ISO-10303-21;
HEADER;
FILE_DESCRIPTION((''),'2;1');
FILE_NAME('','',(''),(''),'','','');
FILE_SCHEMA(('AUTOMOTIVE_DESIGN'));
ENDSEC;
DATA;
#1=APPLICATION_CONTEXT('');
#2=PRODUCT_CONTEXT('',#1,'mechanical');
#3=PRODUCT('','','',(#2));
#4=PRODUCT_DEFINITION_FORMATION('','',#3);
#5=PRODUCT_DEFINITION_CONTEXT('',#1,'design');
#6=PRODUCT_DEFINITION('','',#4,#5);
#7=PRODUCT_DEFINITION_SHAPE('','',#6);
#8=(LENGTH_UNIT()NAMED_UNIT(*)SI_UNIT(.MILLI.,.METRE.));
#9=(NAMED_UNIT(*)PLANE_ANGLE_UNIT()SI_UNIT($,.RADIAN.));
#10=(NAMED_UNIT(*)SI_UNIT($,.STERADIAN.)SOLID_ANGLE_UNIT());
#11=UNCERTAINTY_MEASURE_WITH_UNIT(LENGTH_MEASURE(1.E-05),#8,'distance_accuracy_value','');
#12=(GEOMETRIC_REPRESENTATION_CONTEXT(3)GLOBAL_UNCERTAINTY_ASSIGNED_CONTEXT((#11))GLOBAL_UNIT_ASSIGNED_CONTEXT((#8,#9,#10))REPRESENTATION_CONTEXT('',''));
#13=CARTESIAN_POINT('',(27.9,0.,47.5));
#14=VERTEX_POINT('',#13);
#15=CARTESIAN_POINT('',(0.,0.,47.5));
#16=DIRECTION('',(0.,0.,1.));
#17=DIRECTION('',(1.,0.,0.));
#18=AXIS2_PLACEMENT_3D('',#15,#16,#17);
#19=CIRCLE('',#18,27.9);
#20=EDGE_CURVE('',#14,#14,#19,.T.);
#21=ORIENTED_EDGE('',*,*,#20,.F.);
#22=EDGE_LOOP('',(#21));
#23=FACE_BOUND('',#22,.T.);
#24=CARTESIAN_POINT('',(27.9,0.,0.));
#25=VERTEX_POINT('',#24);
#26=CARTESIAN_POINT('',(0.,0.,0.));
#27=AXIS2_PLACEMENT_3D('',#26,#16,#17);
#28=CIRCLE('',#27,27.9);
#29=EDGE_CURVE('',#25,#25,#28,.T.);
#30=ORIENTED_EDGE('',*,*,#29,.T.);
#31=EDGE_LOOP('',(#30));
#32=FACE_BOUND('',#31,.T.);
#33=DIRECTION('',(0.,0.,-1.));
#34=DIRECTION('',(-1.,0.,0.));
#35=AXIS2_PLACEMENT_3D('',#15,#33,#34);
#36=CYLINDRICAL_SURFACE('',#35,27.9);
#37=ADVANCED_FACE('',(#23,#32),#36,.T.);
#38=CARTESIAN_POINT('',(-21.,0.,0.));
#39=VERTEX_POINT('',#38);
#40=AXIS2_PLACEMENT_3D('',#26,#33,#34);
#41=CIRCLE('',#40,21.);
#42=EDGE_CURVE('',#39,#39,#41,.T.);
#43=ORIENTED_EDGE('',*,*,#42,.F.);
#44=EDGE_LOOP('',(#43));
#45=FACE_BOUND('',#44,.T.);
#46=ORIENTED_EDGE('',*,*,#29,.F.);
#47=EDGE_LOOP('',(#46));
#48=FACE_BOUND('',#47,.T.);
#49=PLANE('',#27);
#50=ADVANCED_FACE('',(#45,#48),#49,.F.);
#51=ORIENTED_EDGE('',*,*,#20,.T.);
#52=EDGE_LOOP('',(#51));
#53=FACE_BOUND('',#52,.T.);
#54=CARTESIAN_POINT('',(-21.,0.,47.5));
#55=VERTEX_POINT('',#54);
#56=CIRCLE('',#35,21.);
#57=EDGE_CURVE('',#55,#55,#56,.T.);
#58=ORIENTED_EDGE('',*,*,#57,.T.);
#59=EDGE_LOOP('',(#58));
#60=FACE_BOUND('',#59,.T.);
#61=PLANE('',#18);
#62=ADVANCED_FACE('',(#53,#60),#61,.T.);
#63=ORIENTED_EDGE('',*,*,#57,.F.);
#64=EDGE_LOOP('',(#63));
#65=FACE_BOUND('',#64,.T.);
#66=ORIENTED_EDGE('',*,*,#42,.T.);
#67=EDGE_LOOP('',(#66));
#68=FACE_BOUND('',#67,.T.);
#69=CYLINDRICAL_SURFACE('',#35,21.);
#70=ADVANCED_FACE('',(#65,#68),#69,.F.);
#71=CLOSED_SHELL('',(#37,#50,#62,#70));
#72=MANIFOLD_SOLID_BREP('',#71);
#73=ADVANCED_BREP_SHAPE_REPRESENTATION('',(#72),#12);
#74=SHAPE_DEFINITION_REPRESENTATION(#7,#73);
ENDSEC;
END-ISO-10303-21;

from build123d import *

# Parameters (mm, degrees)
CROQUIS2_R              = 27.9
SALIENTE_EXTRUIR1_DEPTH = 47.5
CROQUIS3_R              = 21
CORTAR_EXTRUIR1_DEPTH   = 47.5


with BuildPart() as part:
    # Croquis2 → Saliente-Extruir1 (new body)
    with BuildSketch(Plane.XY):
        Circle(CROQUIS2_R)
    extrude(amount=SALIENTE_EXTRUIR1_DEPTH)

    # Croquis3 → Cortar-Extruir1 (cut)
    with BuildSketch(Plane(origin=(0, 0, 0), x_dir=(-1, 0, 0), z_dir=(0, 0, -1))):
        Circle(CROQUIS3_R)
    extrude(amount=-CORTAR_EXTRUIR1_DEPTH, mode=Mode.SUBTRACT)


solid = part.part
